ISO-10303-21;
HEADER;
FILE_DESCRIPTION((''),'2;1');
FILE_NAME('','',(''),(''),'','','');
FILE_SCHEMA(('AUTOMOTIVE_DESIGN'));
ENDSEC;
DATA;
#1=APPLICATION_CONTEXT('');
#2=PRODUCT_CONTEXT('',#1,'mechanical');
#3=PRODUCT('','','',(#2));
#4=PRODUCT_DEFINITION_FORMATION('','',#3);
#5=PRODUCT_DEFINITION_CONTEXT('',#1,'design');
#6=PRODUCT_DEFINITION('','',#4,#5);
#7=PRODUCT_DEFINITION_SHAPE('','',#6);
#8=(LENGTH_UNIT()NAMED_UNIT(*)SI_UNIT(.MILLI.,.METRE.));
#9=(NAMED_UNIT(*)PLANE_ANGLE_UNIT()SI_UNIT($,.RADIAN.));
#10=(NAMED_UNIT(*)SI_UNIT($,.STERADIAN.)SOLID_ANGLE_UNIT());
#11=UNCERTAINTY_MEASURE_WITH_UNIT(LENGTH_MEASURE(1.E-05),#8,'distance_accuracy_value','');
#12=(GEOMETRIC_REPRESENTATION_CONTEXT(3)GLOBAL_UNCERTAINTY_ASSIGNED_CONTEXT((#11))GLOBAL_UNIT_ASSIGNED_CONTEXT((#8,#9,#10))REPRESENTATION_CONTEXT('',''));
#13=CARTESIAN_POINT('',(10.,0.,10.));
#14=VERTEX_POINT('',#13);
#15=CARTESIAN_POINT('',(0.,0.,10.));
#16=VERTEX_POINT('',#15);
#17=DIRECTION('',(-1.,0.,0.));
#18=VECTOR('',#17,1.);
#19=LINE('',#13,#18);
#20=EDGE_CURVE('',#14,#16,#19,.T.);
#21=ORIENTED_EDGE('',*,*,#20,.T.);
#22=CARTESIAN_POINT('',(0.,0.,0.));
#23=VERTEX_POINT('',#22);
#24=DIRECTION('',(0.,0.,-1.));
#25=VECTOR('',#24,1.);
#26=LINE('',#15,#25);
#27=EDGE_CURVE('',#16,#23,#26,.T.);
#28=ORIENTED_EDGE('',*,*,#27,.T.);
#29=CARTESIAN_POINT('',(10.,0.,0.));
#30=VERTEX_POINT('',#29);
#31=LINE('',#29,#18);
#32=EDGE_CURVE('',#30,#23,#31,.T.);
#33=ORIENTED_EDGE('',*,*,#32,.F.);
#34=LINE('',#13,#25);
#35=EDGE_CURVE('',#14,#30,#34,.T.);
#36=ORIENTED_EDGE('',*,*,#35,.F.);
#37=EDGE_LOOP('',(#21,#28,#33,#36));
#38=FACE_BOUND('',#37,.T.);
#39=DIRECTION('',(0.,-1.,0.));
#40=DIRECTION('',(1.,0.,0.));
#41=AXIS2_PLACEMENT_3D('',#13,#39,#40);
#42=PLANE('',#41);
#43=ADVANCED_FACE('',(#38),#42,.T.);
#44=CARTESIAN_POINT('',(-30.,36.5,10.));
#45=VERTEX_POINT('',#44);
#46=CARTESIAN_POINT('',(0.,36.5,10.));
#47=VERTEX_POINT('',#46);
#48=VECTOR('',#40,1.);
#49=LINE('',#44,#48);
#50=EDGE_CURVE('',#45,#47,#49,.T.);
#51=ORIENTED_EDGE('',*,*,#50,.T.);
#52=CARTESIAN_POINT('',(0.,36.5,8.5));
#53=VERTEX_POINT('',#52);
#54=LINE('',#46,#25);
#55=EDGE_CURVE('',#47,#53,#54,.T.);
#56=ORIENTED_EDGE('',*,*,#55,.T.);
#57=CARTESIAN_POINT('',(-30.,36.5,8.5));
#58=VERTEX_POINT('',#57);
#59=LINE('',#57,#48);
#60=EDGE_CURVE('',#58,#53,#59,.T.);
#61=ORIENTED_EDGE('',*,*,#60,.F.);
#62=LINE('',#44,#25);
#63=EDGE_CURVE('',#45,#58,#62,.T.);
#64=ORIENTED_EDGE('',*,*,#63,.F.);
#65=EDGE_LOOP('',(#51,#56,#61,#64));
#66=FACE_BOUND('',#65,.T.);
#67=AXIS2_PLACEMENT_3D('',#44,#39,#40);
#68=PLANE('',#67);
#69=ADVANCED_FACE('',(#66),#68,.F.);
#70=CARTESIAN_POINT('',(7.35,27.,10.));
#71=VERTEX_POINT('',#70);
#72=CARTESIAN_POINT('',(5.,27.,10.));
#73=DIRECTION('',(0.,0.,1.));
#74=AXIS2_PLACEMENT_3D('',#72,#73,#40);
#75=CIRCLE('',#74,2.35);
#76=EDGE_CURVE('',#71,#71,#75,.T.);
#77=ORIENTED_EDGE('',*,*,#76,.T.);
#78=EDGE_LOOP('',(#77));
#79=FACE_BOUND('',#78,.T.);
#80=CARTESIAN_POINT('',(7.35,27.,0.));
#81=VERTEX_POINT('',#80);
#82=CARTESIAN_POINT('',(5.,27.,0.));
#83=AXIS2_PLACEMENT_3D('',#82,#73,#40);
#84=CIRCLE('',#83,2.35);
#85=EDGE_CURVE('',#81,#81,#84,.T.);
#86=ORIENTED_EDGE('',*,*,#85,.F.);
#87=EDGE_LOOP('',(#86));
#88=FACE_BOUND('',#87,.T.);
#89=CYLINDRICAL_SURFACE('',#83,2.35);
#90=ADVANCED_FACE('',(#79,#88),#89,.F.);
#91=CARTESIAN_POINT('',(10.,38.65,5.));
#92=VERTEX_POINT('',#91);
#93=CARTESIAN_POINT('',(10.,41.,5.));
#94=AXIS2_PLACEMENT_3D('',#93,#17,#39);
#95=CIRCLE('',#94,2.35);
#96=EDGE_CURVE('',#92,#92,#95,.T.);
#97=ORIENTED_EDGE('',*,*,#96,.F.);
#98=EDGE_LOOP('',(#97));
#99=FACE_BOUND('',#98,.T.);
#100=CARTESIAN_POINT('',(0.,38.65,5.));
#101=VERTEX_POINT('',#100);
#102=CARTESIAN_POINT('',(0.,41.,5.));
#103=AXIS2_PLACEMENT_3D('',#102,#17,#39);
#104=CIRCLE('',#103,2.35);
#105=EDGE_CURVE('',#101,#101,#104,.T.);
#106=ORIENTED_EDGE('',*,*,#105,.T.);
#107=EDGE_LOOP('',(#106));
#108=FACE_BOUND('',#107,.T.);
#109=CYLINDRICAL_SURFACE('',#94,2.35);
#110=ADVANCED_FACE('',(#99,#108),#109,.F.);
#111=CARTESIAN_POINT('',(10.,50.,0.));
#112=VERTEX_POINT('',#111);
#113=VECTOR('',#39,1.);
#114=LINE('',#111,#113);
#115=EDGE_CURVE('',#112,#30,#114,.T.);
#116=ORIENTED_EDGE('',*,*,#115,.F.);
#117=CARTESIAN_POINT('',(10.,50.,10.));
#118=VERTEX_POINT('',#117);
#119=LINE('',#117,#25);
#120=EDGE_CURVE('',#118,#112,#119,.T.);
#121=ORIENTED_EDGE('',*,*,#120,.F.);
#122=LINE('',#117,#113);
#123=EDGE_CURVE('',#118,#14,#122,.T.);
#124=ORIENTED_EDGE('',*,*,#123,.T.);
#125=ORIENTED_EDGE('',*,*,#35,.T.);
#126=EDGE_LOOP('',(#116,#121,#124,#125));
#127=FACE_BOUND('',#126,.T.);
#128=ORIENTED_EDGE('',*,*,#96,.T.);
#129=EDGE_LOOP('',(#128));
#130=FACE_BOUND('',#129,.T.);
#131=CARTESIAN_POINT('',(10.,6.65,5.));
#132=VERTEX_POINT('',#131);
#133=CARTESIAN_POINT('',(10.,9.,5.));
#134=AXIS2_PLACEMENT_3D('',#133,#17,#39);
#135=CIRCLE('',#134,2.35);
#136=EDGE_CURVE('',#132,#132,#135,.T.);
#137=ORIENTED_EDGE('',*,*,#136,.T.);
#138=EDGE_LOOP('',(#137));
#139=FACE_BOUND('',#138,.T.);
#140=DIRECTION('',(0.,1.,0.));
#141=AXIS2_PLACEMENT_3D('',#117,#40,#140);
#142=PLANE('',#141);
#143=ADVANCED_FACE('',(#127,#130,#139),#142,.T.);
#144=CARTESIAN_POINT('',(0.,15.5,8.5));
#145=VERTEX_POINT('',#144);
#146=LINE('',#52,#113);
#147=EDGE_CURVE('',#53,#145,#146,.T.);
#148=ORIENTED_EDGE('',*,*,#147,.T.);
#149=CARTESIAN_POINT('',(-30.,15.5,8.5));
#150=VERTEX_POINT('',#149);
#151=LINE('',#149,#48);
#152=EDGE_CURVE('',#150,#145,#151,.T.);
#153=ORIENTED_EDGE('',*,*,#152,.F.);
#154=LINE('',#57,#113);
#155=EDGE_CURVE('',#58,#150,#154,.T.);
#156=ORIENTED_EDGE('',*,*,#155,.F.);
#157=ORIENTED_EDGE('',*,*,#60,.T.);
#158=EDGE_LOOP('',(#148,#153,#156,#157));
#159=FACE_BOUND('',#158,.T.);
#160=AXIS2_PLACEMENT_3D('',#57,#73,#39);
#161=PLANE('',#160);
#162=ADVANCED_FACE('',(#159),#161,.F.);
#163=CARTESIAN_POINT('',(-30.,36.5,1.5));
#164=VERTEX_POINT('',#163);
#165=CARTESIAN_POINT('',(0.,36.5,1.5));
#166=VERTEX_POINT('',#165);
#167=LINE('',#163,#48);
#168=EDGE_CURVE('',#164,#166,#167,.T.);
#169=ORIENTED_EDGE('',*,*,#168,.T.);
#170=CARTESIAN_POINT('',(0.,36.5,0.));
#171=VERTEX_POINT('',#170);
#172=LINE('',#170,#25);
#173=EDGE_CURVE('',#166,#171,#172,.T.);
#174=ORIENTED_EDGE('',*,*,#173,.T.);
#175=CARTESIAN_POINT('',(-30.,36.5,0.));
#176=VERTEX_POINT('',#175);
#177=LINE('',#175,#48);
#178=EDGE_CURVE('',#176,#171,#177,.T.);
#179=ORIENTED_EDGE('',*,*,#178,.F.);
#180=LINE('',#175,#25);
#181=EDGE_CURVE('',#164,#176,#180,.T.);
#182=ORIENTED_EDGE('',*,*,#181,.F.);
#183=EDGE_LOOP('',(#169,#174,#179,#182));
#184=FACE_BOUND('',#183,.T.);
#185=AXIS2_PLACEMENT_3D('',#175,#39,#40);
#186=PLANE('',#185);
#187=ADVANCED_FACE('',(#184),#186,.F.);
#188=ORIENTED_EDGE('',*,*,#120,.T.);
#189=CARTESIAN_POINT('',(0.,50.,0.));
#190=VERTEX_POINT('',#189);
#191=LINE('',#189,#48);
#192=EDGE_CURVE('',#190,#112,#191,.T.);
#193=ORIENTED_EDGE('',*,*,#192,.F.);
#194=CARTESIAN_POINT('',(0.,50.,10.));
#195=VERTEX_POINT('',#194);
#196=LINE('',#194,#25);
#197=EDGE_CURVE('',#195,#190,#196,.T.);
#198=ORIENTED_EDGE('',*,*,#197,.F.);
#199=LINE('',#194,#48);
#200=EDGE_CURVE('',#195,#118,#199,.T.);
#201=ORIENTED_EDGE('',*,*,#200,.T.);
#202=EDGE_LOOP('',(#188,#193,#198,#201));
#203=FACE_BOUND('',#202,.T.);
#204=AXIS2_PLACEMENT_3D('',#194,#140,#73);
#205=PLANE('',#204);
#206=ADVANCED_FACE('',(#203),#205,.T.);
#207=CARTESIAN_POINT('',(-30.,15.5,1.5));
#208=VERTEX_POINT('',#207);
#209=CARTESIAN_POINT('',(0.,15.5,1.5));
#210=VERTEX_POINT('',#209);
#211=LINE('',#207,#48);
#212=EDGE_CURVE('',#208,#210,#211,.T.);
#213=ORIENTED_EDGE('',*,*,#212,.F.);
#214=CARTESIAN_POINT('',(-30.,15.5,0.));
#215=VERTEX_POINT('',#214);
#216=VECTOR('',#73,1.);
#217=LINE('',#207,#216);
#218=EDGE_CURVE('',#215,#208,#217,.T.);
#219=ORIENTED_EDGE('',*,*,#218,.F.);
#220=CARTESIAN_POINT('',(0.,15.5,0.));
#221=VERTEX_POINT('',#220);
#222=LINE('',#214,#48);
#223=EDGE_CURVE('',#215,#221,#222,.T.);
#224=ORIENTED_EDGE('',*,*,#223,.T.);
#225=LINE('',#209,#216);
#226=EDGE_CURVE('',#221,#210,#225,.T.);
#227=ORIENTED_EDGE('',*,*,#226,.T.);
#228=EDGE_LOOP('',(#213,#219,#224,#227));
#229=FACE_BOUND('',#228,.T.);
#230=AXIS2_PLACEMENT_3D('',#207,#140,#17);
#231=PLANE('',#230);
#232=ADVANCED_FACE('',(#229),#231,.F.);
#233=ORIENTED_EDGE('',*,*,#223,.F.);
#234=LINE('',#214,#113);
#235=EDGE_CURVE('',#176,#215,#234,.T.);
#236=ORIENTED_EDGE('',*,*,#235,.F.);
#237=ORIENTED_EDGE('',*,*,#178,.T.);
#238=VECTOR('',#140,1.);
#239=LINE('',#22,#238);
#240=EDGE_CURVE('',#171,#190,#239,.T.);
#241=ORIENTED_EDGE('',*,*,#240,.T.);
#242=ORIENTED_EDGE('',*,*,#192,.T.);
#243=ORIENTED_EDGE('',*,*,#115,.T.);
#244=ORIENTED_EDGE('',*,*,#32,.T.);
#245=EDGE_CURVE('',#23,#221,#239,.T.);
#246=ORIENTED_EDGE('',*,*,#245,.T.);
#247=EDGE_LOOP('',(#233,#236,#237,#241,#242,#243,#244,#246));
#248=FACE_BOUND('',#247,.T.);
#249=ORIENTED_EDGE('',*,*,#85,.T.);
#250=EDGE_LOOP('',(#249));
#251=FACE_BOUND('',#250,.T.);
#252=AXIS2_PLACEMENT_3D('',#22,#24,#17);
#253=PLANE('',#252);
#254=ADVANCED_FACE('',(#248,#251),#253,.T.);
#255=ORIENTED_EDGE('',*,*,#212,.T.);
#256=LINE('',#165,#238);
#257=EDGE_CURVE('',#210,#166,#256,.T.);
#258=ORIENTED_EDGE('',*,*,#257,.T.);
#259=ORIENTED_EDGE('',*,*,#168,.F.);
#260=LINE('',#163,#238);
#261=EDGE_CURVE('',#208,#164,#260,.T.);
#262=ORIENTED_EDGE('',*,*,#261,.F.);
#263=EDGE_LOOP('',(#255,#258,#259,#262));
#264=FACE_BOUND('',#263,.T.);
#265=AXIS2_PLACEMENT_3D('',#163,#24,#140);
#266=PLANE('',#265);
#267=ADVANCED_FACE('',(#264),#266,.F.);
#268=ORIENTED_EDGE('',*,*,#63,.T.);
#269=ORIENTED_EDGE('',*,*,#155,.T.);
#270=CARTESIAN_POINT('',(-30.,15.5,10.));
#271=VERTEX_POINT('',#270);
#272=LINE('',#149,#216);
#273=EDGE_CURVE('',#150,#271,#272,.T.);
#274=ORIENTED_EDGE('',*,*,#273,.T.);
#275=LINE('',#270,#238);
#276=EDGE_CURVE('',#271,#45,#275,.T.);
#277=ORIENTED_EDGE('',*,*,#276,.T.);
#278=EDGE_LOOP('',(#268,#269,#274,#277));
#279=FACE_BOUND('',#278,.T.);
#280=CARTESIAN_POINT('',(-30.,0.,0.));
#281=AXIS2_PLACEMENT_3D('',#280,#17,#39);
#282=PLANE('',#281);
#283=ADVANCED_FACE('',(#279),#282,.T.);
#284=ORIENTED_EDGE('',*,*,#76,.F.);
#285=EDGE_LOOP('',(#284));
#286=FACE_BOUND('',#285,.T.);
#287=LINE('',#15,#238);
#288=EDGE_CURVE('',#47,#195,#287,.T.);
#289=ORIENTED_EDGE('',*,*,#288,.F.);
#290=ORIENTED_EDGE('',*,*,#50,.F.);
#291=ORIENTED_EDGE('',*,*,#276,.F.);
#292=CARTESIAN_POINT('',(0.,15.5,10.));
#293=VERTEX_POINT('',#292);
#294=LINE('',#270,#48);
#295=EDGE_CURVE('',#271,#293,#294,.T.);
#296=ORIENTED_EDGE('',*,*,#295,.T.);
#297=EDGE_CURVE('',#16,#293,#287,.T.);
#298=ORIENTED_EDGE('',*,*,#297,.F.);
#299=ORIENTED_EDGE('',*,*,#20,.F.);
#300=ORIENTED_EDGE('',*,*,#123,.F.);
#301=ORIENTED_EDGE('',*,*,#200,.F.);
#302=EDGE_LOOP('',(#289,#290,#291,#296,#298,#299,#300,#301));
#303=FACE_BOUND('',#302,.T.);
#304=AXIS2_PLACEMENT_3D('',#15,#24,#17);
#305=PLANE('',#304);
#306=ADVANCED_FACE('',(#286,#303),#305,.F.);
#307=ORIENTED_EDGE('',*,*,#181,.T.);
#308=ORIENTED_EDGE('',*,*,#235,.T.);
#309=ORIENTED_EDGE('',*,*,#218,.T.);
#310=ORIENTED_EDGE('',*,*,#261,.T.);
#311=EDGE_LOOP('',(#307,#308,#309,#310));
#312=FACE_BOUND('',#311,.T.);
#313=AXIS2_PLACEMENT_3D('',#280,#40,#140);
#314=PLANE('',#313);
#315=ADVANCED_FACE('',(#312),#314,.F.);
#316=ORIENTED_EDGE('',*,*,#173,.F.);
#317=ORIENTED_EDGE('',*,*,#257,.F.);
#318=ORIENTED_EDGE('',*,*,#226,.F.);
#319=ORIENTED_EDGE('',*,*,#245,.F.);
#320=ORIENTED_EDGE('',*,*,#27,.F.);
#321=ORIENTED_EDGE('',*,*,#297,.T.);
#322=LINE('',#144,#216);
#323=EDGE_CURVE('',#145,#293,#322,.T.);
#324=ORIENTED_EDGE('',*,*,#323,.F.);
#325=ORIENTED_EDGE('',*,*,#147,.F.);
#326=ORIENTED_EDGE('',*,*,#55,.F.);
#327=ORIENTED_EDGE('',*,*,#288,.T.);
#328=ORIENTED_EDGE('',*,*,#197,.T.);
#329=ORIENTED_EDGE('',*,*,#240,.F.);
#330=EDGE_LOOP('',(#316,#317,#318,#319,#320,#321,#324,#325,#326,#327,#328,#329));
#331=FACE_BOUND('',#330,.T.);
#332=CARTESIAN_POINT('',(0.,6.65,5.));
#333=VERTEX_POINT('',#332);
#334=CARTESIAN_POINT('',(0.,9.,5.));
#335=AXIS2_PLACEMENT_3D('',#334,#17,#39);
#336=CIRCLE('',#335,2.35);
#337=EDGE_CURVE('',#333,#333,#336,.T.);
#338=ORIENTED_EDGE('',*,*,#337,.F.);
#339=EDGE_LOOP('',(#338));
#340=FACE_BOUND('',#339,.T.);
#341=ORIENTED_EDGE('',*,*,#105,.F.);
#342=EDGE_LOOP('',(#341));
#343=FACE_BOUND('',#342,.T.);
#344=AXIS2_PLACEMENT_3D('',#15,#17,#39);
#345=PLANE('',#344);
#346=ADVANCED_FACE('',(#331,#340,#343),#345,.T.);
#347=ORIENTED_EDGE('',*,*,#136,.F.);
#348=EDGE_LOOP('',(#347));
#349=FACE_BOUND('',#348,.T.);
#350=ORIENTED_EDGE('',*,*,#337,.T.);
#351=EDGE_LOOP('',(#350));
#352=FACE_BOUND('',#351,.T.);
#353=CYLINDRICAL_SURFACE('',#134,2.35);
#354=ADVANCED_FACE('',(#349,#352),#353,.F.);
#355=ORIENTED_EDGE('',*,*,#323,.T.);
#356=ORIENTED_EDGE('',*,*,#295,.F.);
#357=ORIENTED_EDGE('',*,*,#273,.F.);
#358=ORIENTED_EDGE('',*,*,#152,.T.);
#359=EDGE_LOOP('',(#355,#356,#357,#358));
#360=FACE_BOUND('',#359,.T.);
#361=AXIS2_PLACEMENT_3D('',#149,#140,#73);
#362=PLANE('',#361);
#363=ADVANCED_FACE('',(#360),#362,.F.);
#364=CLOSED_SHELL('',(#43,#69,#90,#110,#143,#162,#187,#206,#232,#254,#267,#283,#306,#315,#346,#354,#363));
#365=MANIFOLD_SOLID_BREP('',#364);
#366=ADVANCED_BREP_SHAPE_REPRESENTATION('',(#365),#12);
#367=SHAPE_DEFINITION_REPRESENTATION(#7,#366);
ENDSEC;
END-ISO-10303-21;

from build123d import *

# Parameters (mm, degrees)
SKETCH2_W           = 10
SKETCH2_H           = 50
BOSS_EXTRUDE1_DEPTH = 10
SKETCH6_R           = 2.35
CUT_EXTRUDE3_DEPTH  = 11
SKETCH7_R           = 2.35
CUT_EXTRUDE4_DEPTH  = 11
SKETCH8_W           = 1.5
SKETCH8_H           = 21
BOSS_EXTRUDE2_DEPTH = 30


with BuildPart() as part:
    # Sketch2 → Boss-Extrude1 (new body)
    with BuildSketch(Plane.XY):
        with Locations((5, 25)):
            Rectangle(SKETCH2_W, SKETCH2_H)
    extrude(amount=BOSS_EXTRUDE1_DEPTH)

    # Sketch6 → Cut-Extrude3 (cut, through all)
    with BuildSketch(Plane.XY.offset(10)):
        with Locations((5, 27)):
            Circle(SKETCH6_R)
    extrude(amount=-CUT_EXTRUDE3_DEPTH, mode=Mode.SUBTRACT)

    # Sketch7 → Cut-Extrude4 (cut, through all)
    with BuildSketch(Plane.ZY):
        with Locations((5, 41)):
            Circle(SKETCH7_R)
        with Locations((5, 9)):
            Circle(SKETCH7_R)
    extrude(amount=-CUT_EXTRUDE4_DEPTH, mode=Mode.SUBTRACT)

    # Sketch8 → Boss-Extrude2 (add)
    with BuildSketch(Plane.ZY):
        with Locations((9.25, 26)):
            Rectangle(SKETCH8_W, SKETCH8_H)
        with Locations((0.75, 26)):
            Rectangle(SKETCH8_W, SKETCH8_H)
    extrude(amount=BOSS_EXTRUDE2_DEPTH)


solid = part.part
